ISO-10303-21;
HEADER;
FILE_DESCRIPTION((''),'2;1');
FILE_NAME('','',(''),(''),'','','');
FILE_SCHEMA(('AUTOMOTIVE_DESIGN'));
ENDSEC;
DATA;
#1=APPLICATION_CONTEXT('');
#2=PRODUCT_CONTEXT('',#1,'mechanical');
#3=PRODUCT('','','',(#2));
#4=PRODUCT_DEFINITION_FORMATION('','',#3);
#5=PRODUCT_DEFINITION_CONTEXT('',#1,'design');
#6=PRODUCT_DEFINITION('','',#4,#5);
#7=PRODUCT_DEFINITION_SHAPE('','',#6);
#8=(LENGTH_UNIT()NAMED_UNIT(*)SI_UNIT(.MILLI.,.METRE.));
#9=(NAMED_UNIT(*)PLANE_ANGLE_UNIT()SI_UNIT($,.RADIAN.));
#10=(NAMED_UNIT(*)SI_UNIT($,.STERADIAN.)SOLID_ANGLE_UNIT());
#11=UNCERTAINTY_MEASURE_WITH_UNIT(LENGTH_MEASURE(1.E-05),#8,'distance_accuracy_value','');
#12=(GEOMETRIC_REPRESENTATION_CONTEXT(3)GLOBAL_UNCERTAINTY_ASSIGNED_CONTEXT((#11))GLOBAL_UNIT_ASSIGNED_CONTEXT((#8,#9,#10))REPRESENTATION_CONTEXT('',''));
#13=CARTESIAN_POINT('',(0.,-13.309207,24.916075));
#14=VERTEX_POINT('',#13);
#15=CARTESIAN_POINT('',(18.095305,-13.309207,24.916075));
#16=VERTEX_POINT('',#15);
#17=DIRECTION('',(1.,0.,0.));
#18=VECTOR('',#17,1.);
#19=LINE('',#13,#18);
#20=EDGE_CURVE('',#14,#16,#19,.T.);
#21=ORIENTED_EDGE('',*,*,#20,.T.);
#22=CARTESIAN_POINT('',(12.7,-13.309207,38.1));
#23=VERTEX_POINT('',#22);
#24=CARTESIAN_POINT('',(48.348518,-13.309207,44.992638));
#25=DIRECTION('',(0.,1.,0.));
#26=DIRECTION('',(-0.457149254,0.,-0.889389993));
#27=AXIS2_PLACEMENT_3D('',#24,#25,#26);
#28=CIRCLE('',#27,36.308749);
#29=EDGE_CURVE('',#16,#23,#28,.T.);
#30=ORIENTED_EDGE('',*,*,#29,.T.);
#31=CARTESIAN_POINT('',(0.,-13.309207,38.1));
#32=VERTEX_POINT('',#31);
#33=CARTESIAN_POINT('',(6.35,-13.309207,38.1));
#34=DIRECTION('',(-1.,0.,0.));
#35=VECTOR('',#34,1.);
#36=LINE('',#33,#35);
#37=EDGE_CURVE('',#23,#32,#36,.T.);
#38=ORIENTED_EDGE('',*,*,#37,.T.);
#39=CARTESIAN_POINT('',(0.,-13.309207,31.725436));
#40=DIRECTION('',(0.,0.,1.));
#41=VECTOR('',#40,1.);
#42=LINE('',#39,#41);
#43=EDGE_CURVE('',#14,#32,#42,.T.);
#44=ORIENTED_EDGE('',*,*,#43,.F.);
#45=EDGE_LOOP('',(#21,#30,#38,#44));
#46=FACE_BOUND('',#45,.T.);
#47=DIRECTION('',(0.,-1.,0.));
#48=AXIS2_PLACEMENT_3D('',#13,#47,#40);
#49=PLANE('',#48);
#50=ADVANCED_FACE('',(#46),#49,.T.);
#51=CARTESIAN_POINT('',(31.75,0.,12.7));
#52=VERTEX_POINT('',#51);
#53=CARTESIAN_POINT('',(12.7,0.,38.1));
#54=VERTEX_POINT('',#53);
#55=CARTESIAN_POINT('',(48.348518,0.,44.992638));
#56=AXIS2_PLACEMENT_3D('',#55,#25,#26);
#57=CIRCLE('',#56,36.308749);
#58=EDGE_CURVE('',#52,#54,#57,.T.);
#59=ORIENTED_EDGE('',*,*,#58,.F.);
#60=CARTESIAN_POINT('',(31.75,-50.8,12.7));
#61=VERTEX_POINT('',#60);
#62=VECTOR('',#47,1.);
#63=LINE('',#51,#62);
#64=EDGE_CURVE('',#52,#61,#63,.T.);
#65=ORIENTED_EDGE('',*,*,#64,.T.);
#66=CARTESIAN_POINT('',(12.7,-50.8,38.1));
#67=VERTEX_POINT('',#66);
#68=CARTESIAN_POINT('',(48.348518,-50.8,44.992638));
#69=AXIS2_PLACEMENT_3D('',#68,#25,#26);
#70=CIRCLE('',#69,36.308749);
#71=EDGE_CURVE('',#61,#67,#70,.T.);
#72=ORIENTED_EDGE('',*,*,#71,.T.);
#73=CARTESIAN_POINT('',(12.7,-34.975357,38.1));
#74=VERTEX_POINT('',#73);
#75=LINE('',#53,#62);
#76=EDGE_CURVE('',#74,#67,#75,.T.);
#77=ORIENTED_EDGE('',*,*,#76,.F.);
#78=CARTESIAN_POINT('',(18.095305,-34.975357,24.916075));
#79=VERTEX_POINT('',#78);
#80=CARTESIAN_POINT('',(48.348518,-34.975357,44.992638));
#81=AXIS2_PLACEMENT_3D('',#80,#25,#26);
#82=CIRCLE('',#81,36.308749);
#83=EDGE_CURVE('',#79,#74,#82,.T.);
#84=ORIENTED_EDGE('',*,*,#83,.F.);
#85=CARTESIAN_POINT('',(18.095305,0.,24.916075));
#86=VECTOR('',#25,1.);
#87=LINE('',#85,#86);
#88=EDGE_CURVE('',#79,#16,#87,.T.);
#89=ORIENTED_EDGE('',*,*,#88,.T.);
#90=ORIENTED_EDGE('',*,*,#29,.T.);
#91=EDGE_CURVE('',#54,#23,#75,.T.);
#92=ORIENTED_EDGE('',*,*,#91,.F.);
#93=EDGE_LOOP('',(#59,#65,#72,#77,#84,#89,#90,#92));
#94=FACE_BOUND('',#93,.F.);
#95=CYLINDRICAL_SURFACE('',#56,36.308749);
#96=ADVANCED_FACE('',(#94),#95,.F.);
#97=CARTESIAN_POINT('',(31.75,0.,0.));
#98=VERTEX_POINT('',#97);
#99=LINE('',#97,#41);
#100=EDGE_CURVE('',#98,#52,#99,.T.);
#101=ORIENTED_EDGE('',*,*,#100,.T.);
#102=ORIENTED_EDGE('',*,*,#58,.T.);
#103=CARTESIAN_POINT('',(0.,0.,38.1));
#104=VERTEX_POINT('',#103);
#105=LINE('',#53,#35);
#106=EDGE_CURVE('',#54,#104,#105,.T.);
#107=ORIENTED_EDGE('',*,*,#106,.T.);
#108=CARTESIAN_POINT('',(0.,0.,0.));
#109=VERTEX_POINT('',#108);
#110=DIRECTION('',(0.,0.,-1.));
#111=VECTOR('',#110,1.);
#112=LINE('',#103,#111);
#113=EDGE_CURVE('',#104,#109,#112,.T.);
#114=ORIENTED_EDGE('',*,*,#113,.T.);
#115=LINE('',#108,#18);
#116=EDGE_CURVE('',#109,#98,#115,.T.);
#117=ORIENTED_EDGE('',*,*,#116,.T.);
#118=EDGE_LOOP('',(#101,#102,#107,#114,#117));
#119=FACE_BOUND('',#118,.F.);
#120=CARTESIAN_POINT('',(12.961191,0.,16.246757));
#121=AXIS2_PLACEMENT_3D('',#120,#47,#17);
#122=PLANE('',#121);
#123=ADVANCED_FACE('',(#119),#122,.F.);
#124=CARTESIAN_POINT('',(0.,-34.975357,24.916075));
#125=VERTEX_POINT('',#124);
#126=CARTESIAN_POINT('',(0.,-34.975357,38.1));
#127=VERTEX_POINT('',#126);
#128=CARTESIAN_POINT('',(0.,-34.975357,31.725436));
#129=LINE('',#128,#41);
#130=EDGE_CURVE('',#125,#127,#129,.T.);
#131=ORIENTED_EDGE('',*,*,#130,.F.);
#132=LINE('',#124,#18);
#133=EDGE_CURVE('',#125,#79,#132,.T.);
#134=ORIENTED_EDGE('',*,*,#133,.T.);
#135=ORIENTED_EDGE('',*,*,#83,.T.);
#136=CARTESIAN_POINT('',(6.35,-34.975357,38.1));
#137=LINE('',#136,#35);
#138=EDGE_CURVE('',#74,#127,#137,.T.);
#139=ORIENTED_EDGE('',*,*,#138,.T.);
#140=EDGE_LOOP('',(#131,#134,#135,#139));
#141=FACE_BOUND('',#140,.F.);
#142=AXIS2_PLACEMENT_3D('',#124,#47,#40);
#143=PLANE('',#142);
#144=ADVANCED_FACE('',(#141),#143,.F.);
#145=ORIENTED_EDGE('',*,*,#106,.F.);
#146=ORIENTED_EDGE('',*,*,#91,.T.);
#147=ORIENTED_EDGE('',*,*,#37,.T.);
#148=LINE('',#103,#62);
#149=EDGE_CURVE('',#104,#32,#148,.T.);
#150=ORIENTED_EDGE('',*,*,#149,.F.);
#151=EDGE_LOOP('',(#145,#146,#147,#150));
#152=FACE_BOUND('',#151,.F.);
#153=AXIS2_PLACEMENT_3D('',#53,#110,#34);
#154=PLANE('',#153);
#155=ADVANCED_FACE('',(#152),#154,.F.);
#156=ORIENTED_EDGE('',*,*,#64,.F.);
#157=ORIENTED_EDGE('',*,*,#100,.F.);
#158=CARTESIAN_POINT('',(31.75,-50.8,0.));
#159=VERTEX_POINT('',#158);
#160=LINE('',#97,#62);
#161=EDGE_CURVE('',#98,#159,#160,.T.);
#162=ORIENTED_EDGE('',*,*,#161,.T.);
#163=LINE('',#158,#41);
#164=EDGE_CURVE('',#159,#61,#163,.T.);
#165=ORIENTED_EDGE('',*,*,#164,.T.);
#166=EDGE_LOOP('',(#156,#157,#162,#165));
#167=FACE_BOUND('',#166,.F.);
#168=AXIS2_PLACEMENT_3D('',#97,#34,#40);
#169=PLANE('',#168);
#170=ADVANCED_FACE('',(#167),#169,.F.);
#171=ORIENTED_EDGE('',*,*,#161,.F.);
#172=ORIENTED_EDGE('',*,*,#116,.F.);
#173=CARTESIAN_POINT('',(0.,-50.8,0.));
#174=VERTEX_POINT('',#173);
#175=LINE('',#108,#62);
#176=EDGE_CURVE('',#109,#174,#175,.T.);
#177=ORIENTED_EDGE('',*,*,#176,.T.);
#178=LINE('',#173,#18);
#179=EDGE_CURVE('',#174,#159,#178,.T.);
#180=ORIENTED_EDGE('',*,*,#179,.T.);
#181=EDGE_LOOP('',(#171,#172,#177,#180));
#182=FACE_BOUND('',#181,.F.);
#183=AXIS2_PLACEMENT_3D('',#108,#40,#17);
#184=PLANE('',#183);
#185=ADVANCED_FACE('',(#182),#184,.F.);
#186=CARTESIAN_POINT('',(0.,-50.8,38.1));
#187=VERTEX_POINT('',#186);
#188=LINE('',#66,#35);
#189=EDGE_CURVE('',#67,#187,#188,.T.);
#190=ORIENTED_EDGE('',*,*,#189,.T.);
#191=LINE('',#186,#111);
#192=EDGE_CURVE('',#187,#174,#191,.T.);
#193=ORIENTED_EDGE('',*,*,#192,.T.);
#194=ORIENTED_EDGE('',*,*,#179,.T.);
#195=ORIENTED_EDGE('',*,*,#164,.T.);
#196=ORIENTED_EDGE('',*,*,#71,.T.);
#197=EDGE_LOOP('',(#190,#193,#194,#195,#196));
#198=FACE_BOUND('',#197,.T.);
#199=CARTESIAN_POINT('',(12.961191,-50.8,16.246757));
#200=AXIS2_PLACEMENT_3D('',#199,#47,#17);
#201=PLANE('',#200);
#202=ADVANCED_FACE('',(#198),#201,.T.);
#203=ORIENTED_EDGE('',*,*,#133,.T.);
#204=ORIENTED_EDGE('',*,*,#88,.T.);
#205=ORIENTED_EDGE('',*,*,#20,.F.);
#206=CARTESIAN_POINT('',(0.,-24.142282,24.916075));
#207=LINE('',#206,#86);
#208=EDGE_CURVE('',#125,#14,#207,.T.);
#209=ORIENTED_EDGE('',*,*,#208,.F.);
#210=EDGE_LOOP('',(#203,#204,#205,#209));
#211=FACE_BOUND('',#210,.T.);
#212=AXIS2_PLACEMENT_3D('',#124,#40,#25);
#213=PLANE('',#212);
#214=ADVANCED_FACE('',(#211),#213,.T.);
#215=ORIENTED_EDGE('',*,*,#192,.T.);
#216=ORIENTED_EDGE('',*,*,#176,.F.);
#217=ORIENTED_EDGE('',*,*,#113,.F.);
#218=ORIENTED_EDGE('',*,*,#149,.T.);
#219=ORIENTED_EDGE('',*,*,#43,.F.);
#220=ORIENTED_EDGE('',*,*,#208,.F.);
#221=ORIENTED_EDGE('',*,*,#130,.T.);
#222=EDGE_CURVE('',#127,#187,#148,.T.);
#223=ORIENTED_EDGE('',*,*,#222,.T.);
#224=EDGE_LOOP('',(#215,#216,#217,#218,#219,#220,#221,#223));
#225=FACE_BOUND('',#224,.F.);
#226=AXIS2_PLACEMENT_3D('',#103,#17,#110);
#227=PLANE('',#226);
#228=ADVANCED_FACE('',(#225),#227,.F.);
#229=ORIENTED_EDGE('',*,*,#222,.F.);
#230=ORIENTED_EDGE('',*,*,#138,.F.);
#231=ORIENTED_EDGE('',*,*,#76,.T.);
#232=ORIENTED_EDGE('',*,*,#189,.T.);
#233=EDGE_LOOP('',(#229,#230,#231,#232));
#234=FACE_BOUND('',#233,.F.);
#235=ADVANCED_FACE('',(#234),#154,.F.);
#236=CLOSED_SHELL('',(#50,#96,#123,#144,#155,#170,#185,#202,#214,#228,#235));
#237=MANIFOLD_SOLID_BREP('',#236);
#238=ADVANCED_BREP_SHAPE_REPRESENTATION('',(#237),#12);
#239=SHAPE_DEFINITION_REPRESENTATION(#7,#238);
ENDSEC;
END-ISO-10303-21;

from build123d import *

# Parameters (mm, degrees)
F1_DEPTH = 50.8
F2_W     = 25.4
F2_H     = 15.645319
F3_DEPTH = 50.8
F4_W     = 21.66615
F4_H     = 13.618723
F5_DEPTH = 85.344


with BuildPart() as f1:
    # F0 (on Front) → F1 (new body)
    with BuildSketch(Plane.XZ):
        with BuildLine():
            Line((12.7, 38.1), (0, 38.1))
            Line((0, 38.1), (0, 0))
            Line((0, 0), (31.75, 0))
            Line((31.75, 0), (31.75, 12.7))
            ThreePointArc((31.75, 12.7), (19.301518, 23.207389), (12.7, 38.1))
        make_face()
    extrude(amount=F1_DEPTH)

    # F2 (on Right) → F3 (cut)
    with BuildSketch(Plane.YZ):
        with Locations((-24.754254, 30.332612)):
            Rectangle(F2_W, F2_H)
    extrude(amount=-F3_DEPTH, mode=Mode.SUBTRACT)

    # F4 (on Right) → F5 (cut)
    with BuildSketch(Plane.YZ):
        with Locations((-24.142282, 31.725436)):
            Rectangle(F4_W, F4_H)
    extrude(amount=F5_DEPTH, mode=Mode.SUBTRACT)


solid = f1.part
